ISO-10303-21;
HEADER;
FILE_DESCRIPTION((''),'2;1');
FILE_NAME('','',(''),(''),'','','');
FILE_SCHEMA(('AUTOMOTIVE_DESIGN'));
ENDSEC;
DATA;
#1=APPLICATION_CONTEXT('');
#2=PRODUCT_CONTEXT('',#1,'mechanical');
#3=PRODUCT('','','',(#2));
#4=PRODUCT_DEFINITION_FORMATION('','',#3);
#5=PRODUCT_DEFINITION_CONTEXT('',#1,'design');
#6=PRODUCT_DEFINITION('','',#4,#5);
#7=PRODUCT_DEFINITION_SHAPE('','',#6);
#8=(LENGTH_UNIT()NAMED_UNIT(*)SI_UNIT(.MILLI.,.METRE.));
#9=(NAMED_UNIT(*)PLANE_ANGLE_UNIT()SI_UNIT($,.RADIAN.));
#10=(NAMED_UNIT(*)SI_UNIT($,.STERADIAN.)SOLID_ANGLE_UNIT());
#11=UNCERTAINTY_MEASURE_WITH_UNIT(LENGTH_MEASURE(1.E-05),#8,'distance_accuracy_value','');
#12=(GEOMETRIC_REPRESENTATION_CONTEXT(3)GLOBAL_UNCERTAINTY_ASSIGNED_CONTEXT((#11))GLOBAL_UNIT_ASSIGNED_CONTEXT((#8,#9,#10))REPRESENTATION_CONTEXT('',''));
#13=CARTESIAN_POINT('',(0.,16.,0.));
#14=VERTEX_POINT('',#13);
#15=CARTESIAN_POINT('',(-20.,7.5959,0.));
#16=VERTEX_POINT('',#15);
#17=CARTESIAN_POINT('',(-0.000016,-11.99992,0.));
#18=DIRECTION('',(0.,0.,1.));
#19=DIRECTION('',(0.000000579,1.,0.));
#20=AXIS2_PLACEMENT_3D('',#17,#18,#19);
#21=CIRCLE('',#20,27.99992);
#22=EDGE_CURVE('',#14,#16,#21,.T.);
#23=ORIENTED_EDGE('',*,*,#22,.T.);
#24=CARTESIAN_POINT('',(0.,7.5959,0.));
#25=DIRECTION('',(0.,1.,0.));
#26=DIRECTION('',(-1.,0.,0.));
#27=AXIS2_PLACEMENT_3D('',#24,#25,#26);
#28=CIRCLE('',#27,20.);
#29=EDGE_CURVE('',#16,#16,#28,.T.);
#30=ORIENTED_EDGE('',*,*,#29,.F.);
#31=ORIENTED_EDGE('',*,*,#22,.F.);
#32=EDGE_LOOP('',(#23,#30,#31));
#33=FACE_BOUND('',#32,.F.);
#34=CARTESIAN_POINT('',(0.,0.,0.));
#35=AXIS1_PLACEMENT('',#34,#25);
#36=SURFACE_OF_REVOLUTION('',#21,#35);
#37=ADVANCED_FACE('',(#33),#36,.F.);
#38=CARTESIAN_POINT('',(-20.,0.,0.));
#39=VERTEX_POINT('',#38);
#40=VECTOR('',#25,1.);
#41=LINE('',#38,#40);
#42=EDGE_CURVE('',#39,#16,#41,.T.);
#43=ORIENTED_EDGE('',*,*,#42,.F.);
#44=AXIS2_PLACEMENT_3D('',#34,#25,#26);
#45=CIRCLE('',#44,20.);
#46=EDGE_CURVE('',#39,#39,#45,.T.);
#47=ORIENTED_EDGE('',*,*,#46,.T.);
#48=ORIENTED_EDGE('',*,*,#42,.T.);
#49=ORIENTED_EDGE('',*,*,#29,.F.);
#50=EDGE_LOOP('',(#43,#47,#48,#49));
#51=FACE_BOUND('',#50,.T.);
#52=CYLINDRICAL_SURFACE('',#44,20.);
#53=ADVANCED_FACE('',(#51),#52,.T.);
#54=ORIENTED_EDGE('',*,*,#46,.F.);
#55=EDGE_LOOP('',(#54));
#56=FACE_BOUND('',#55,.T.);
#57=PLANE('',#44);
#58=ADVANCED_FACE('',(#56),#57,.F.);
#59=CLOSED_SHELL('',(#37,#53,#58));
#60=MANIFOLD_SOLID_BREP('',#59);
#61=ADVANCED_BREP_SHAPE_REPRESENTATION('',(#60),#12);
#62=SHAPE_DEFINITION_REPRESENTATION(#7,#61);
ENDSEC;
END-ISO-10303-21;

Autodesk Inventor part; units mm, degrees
ref_plane "YZ Plane" through (0, 0, 0) normal (1, 0, 0) x (0, 1, 0)
ref_plane "XZ Plane" through (0, 0, 0) normal (0, 1, 0) x (-1, 0, 0)
ref_plane "XY Plane" through (0, 0, 0) normal (0, 0, 1) x (1, 0, 0)
sketch "Эскиз1" plane through (0, 0, 0) normal (0, 0, 1) x (1, 0, 0)
  line L0 (0, 0) -> (20, 0)
  line L1 (0, 0) -> (0, 16)
  arc A0 (20, 7.5959) -> (0, 16) centre (0, -12) ccw
  line L2 (20, 0) -> (20, 7.5959)
  line L3 (0, 0) -> (-20, 0)
  arc A1 (0, 16) -> (-20, 7.5959) centre (0, -12) ccw
  line L4 (-20, 0) -> (-20, 7.5959)
revolve "Вращение1" add sketch "Эскиз1" angle 360 about axis through (0, 0, 0) along (0, 1, 0) contours L3 L4 A1 L1
